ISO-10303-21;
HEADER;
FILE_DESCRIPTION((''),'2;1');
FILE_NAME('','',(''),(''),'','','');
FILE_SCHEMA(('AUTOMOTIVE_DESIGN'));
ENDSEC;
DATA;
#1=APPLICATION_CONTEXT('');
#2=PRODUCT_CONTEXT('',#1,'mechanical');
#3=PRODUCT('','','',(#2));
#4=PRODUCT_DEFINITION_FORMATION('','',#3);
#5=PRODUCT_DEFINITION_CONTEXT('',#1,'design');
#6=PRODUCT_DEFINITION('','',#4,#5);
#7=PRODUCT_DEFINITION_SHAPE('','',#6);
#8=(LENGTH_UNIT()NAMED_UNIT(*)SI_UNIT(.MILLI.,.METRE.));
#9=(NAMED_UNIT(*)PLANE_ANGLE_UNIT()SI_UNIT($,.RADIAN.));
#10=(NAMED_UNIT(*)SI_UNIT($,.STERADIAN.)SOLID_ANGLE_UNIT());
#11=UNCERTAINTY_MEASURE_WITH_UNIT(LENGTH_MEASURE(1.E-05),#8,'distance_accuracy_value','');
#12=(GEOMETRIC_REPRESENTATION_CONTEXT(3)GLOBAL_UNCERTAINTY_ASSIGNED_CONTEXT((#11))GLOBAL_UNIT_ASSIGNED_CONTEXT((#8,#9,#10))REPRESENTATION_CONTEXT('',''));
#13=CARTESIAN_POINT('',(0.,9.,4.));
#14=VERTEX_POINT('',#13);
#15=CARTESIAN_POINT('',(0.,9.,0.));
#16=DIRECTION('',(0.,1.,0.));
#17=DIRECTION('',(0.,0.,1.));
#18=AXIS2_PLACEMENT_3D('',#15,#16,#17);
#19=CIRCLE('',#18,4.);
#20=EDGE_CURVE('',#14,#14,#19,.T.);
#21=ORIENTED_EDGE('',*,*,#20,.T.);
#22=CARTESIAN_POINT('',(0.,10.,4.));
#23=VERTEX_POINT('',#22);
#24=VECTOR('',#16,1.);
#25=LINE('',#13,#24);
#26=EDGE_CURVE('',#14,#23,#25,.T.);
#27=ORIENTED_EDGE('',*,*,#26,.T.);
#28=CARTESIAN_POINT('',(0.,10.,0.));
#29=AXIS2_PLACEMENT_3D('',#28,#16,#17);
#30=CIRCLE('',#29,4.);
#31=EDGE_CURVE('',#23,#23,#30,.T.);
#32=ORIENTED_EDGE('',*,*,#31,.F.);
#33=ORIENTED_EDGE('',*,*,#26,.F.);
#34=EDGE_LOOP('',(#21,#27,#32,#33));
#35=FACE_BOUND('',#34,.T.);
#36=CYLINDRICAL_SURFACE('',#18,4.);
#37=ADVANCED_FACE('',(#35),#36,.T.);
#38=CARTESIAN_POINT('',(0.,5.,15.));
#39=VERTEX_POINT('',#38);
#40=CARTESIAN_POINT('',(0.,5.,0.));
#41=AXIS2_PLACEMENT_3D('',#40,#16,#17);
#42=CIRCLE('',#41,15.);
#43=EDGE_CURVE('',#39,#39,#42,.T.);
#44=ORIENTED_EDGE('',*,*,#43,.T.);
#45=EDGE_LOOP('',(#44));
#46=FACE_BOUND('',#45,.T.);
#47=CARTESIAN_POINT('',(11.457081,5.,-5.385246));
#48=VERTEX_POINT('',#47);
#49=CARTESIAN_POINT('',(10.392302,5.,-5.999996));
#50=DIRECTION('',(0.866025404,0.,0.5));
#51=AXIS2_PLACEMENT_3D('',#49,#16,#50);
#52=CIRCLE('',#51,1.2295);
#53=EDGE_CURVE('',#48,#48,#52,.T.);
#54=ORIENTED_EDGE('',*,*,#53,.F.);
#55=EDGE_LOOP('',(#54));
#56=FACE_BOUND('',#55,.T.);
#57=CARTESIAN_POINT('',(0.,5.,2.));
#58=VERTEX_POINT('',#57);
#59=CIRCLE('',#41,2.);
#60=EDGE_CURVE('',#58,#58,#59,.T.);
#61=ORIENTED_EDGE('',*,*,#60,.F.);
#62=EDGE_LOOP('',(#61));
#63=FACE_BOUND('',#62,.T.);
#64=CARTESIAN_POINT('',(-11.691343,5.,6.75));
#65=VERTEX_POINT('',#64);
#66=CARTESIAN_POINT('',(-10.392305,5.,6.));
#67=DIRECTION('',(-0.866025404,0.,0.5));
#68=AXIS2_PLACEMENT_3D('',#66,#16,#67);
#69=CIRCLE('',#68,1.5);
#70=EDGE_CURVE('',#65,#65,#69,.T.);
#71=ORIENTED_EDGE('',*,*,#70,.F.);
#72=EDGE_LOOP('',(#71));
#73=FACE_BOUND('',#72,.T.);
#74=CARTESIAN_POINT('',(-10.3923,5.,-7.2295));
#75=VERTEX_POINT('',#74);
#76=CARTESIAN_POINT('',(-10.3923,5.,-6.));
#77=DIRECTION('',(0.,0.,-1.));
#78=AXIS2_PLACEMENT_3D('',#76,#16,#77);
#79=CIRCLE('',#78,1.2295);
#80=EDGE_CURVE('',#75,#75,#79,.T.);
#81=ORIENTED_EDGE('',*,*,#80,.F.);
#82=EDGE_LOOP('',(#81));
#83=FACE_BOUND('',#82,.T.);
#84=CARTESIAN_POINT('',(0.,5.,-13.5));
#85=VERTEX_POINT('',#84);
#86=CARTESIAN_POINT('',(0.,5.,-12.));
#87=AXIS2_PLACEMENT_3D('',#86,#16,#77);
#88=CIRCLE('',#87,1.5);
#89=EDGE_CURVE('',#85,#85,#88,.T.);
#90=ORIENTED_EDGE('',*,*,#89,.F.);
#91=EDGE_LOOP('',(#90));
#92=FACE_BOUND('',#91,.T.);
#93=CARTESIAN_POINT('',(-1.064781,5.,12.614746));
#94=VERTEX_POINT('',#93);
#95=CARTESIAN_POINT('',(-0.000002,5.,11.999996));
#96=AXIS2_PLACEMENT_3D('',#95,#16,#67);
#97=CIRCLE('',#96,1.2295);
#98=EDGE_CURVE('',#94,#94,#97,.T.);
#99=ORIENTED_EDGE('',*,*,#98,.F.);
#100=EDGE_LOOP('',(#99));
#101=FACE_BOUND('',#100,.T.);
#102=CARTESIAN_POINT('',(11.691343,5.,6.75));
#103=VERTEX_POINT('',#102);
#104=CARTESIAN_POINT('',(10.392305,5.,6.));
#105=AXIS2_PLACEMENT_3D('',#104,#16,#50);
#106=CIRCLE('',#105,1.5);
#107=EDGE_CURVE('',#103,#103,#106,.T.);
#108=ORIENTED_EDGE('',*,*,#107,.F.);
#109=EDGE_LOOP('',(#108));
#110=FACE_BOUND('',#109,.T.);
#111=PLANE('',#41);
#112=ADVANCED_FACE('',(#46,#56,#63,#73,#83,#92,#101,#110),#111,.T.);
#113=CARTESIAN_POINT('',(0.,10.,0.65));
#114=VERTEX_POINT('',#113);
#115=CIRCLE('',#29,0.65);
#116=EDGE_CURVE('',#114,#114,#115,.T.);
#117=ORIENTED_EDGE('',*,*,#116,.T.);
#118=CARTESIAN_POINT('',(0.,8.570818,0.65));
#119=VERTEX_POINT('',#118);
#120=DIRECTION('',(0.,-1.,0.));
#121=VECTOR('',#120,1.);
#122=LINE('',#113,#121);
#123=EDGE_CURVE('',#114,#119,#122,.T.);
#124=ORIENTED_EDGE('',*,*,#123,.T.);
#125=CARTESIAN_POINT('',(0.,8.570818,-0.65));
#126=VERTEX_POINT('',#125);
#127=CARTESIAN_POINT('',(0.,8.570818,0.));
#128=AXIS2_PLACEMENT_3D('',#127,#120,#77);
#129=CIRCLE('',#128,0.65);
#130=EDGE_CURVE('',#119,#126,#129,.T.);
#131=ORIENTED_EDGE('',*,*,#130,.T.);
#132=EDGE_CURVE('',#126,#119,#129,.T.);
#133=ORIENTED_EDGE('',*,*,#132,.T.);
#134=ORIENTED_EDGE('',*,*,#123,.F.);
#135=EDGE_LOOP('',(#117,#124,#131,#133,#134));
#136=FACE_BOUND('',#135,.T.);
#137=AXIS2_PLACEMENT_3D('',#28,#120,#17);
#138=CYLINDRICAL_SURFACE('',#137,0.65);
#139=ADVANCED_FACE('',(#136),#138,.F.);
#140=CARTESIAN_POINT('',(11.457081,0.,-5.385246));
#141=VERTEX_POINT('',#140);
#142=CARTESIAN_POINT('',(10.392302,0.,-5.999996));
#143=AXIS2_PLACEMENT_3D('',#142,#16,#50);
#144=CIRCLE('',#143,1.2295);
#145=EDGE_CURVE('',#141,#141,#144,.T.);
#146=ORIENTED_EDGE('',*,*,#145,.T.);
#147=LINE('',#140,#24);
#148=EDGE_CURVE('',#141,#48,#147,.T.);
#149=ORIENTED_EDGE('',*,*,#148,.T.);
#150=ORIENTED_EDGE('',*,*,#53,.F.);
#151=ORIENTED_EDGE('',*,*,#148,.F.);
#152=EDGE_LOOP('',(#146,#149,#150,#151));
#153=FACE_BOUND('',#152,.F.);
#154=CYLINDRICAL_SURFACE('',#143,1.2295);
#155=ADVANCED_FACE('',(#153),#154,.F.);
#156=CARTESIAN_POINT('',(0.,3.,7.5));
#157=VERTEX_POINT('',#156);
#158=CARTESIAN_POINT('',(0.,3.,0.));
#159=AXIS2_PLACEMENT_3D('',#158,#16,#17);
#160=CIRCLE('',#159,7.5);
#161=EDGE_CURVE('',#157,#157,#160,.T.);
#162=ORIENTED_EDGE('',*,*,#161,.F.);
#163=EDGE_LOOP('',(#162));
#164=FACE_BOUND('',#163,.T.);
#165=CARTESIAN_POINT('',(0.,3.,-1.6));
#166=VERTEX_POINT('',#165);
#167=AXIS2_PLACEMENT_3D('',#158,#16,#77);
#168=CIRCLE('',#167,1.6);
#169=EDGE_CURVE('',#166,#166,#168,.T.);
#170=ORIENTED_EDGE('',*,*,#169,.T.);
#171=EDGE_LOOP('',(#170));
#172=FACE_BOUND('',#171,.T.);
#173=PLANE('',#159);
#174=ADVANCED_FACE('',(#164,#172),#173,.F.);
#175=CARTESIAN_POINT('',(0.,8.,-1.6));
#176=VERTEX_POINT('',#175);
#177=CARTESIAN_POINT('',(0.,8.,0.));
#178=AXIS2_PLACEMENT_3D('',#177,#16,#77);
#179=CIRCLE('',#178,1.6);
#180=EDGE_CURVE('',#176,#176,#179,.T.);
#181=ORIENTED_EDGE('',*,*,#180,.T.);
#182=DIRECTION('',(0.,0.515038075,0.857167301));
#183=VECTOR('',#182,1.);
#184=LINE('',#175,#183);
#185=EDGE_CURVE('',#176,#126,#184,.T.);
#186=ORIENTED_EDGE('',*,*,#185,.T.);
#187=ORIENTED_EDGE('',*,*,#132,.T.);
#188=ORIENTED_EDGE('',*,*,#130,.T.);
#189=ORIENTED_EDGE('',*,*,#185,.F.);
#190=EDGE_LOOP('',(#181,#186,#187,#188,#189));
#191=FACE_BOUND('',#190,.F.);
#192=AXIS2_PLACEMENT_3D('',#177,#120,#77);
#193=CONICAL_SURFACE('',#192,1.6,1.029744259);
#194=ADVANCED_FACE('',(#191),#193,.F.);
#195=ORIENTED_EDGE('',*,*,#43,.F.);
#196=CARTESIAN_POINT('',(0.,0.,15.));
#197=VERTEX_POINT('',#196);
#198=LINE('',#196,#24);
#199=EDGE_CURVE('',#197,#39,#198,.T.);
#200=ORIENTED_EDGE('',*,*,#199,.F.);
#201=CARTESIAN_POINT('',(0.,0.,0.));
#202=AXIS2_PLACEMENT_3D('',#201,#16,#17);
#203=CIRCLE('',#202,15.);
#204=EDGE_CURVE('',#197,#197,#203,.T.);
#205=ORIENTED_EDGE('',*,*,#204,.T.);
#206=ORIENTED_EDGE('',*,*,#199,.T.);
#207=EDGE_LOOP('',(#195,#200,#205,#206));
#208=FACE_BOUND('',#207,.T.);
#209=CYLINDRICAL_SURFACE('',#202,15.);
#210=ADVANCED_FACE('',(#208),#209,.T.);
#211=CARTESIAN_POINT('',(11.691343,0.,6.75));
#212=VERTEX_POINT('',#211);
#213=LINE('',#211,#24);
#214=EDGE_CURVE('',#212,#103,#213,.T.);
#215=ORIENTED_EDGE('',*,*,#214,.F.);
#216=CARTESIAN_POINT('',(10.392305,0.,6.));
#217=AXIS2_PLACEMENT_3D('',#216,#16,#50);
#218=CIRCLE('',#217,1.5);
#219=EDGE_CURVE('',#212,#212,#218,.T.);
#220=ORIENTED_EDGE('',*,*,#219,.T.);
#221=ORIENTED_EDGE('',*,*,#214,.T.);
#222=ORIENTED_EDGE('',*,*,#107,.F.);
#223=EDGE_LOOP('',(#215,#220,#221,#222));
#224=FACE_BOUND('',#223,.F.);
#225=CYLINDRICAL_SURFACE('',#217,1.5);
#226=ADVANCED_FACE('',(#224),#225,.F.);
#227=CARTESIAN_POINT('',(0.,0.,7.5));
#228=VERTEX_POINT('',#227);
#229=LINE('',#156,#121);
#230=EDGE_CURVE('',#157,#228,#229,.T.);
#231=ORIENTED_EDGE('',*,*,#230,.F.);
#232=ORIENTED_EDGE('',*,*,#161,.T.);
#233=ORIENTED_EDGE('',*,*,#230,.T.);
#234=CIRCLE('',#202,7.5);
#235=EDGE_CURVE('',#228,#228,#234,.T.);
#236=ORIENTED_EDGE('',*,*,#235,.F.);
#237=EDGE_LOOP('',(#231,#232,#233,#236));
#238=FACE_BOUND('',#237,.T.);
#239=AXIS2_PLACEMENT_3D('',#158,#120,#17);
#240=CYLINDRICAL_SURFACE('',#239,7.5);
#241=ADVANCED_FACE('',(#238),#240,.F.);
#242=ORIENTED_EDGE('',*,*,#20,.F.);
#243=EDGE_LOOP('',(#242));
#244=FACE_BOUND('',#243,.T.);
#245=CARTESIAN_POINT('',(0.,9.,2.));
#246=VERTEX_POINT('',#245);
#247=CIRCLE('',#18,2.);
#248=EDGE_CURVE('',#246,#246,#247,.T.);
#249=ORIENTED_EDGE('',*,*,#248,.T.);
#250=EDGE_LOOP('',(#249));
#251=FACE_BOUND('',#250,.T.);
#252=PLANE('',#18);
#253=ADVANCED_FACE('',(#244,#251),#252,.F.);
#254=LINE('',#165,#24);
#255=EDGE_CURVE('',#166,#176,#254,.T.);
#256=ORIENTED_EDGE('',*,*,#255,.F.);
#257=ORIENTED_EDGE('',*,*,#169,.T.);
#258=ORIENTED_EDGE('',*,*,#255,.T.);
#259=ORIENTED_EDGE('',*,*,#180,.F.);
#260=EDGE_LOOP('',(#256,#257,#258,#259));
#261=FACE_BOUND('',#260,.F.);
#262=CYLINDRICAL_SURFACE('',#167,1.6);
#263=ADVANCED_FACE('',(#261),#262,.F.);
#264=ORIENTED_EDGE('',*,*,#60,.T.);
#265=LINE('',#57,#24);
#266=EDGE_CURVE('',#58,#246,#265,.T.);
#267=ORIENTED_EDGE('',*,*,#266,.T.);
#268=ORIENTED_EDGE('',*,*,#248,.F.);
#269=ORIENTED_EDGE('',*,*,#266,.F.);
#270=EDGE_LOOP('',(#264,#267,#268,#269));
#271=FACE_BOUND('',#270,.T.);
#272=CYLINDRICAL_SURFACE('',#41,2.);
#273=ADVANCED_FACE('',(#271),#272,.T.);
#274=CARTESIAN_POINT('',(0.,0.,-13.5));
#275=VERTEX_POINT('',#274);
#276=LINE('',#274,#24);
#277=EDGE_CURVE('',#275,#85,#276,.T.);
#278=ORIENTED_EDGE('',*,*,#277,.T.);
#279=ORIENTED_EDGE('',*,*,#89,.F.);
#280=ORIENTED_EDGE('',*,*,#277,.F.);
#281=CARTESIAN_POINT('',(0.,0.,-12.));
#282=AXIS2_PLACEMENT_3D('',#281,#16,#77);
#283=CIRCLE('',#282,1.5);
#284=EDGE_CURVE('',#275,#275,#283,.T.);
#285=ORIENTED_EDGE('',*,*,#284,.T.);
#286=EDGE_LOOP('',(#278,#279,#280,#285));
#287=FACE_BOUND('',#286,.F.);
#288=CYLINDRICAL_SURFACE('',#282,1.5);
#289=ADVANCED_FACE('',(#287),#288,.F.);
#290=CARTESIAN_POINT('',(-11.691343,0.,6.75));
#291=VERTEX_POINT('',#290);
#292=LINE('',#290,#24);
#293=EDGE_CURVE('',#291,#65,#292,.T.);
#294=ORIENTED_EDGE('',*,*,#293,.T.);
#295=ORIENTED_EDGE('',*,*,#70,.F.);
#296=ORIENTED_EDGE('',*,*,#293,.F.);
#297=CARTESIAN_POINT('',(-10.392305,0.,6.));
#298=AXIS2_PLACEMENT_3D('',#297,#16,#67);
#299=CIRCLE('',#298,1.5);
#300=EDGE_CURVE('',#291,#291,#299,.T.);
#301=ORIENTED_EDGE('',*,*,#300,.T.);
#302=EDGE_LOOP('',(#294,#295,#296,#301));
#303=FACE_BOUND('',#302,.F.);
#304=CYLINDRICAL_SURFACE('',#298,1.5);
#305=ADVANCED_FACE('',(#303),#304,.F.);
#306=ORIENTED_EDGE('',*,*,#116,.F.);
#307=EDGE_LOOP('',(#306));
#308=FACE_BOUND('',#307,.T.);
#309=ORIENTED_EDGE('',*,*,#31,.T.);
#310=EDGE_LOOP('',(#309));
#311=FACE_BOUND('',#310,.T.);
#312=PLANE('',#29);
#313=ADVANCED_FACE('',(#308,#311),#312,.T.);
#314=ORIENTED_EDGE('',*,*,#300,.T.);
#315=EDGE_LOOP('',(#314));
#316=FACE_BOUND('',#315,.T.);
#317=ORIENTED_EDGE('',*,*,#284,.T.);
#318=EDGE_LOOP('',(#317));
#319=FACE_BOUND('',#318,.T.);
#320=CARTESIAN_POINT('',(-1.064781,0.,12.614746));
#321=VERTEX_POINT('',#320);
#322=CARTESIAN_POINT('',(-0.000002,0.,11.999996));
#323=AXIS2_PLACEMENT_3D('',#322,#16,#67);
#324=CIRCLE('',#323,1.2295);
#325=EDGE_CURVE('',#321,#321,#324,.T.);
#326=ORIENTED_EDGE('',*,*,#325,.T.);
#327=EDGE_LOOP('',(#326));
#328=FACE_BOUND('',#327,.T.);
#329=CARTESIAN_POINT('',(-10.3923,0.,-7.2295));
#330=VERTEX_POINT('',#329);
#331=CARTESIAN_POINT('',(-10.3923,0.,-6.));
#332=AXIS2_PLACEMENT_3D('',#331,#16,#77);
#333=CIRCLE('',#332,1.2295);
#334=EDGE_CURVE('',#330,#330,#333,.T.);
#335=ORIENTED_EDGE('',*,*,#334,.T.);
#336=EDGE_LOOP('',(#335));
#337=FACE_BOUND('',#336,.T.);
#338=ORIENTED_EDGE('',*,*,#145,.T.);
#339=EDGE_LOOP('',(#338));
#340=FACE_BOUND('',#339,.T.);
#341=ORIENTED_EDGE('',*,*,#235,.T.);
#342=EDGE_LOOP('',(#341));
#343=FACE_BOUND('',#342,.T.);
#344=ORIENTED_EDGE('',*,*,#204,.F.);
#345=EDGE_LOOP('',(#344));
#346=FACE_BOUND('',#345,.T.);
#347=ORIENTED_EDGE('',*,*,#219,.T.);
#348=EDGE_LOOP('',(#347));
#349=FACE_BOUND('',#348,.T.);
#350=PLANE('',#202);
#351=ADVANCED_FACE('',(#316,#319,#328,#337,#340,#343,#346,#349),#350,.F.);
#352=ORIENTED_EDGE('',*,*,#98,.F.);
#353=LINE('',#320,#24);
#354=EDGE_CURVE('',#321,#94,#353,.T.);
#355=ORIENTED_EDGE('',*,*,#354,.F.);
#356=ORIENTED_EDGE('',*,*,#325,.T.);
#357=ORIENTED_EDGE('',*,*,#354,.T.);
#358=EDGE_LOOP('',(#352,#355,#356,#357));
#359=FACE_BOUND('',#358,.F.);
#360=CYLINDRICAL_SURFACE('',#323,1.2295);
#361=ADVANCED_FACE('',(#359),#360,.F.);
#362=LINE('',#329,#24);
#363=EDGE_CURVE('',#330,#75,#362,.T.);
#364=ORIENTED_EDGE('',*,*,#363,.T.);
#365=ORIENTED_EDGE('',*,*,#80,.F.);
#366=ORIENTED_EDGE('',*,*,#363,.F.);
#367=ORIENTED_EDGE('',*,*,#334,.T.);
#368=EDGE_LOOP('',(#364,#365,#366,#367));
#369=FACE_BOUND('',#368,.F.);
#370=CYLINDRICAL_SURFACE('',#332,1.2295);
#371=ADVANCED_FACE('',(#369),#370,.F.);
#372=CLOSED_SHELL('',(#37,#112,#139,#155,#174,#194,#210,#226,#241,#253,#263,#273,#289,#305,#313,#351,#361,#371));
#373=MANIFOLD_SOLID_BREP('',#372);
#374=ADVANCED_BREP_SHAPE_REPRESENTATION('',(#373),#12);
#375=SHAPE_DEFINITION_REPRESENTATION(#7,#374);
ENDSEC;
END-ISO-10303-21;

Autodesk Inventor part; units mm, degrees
ref_plane "YZ Plane" through (0, 0, 0) normal (1, 0, 0) x (0, 1, 0)
ref_plane "XZ Plane" through (0, 0, 0) normal (0, 1, 0) x (-1, 0, 0)
ref_plane "XY Plane" through (0, 0, 0) normal (0, 0, 1) x (1, 0, 0)
sketch "Sketch1" plane through (0, 0, 0) normal (1, 0, 0) x (0, 1, 0)
  line L0 (0, 7.5) -> (0, 15)
  line L1 (0, 15) -> (5, 15)
  line L2 (5, 15) -> (5, 2)
  line L3 (5, 2) -> (9, 2)
  line L4 (9, 2) -> (9, 4)
  line L5 (9, 4) -> (10, 4)
  line L6 (10, 4) -> (10, 0.65)
  line L7 (10, 0.65) -> (3, 0.65)
  line L8 (3, 0.65) -> (3, 7.5)
  line L9 (3, 7.5) -> (0, 7.5)
  line L10 (-2, 0) -> (12, 0) projected
  point P0 (0, 0)
  dimension "d0" = 7.5
  dimension "d1" = 0.65
  dimension "d2" = 4
  dimension "d3" = 2
  dimension "d4" = 15
  dimension "d5" = 5
  dimension "d6" = 4
  dimension "d7" = 1
  dimension "d34" = 3
revolve "Revolution1" add sketch "Sketch1" angle 360 about axis through (0, -10, 0) along (0, 1, 0)
sketch "Sketch2" plane through (0, 0, 0) normal (0, -1, 0) x (1, 0, 0)
  point P0 (0, 0)
  point P1 (0, -12)
  dimension "d10" = 12
hole "Hole1" at (0, 0, -12) direction (0, 1, 0) diameter 3 end through all
pattern_circular "Circular Pattern1" count 3 over 360 about axis through (0, 2.5, 0) along (0, 1, 0) of "Hole1"
sketch "Sketch3" plane through (0, 0, 0) normal (0, -1, 0) x (1, 0, 0)
  circle A0 centre (0, 0) radius 12 construction
  circle A1 centre (0, -12) radius 1.5 projected
  point P0 (-10.3923, -6)
  dimension "d21" = 24
  dimension "d22" = 60
hole "Hole2" at (-10.3923, 0, -6) direction (0, 1, 0) diameter 2.459 end through all thread size "M3x0.5" class "6H" standard "ANSI Metric M Profile"
pattern_circular "Circular Pattern2" count 3 over 360 about axis through (0, 2.5, 0) along (0, 1, 0) of "Hole2"
sketch "Sketch4" plane through (0, 3, 0) normal (0, -1, 0) x (1, 0, 0)
  point P0 (0, 0)
  point P1 (0, 0)
hole "Hole3" at (0, 3, 0) direction (0, 1, 0) diameter 3.2 depth 5 tip angle 118
properties part number "RodHolder-2023-1" material "Copper"
